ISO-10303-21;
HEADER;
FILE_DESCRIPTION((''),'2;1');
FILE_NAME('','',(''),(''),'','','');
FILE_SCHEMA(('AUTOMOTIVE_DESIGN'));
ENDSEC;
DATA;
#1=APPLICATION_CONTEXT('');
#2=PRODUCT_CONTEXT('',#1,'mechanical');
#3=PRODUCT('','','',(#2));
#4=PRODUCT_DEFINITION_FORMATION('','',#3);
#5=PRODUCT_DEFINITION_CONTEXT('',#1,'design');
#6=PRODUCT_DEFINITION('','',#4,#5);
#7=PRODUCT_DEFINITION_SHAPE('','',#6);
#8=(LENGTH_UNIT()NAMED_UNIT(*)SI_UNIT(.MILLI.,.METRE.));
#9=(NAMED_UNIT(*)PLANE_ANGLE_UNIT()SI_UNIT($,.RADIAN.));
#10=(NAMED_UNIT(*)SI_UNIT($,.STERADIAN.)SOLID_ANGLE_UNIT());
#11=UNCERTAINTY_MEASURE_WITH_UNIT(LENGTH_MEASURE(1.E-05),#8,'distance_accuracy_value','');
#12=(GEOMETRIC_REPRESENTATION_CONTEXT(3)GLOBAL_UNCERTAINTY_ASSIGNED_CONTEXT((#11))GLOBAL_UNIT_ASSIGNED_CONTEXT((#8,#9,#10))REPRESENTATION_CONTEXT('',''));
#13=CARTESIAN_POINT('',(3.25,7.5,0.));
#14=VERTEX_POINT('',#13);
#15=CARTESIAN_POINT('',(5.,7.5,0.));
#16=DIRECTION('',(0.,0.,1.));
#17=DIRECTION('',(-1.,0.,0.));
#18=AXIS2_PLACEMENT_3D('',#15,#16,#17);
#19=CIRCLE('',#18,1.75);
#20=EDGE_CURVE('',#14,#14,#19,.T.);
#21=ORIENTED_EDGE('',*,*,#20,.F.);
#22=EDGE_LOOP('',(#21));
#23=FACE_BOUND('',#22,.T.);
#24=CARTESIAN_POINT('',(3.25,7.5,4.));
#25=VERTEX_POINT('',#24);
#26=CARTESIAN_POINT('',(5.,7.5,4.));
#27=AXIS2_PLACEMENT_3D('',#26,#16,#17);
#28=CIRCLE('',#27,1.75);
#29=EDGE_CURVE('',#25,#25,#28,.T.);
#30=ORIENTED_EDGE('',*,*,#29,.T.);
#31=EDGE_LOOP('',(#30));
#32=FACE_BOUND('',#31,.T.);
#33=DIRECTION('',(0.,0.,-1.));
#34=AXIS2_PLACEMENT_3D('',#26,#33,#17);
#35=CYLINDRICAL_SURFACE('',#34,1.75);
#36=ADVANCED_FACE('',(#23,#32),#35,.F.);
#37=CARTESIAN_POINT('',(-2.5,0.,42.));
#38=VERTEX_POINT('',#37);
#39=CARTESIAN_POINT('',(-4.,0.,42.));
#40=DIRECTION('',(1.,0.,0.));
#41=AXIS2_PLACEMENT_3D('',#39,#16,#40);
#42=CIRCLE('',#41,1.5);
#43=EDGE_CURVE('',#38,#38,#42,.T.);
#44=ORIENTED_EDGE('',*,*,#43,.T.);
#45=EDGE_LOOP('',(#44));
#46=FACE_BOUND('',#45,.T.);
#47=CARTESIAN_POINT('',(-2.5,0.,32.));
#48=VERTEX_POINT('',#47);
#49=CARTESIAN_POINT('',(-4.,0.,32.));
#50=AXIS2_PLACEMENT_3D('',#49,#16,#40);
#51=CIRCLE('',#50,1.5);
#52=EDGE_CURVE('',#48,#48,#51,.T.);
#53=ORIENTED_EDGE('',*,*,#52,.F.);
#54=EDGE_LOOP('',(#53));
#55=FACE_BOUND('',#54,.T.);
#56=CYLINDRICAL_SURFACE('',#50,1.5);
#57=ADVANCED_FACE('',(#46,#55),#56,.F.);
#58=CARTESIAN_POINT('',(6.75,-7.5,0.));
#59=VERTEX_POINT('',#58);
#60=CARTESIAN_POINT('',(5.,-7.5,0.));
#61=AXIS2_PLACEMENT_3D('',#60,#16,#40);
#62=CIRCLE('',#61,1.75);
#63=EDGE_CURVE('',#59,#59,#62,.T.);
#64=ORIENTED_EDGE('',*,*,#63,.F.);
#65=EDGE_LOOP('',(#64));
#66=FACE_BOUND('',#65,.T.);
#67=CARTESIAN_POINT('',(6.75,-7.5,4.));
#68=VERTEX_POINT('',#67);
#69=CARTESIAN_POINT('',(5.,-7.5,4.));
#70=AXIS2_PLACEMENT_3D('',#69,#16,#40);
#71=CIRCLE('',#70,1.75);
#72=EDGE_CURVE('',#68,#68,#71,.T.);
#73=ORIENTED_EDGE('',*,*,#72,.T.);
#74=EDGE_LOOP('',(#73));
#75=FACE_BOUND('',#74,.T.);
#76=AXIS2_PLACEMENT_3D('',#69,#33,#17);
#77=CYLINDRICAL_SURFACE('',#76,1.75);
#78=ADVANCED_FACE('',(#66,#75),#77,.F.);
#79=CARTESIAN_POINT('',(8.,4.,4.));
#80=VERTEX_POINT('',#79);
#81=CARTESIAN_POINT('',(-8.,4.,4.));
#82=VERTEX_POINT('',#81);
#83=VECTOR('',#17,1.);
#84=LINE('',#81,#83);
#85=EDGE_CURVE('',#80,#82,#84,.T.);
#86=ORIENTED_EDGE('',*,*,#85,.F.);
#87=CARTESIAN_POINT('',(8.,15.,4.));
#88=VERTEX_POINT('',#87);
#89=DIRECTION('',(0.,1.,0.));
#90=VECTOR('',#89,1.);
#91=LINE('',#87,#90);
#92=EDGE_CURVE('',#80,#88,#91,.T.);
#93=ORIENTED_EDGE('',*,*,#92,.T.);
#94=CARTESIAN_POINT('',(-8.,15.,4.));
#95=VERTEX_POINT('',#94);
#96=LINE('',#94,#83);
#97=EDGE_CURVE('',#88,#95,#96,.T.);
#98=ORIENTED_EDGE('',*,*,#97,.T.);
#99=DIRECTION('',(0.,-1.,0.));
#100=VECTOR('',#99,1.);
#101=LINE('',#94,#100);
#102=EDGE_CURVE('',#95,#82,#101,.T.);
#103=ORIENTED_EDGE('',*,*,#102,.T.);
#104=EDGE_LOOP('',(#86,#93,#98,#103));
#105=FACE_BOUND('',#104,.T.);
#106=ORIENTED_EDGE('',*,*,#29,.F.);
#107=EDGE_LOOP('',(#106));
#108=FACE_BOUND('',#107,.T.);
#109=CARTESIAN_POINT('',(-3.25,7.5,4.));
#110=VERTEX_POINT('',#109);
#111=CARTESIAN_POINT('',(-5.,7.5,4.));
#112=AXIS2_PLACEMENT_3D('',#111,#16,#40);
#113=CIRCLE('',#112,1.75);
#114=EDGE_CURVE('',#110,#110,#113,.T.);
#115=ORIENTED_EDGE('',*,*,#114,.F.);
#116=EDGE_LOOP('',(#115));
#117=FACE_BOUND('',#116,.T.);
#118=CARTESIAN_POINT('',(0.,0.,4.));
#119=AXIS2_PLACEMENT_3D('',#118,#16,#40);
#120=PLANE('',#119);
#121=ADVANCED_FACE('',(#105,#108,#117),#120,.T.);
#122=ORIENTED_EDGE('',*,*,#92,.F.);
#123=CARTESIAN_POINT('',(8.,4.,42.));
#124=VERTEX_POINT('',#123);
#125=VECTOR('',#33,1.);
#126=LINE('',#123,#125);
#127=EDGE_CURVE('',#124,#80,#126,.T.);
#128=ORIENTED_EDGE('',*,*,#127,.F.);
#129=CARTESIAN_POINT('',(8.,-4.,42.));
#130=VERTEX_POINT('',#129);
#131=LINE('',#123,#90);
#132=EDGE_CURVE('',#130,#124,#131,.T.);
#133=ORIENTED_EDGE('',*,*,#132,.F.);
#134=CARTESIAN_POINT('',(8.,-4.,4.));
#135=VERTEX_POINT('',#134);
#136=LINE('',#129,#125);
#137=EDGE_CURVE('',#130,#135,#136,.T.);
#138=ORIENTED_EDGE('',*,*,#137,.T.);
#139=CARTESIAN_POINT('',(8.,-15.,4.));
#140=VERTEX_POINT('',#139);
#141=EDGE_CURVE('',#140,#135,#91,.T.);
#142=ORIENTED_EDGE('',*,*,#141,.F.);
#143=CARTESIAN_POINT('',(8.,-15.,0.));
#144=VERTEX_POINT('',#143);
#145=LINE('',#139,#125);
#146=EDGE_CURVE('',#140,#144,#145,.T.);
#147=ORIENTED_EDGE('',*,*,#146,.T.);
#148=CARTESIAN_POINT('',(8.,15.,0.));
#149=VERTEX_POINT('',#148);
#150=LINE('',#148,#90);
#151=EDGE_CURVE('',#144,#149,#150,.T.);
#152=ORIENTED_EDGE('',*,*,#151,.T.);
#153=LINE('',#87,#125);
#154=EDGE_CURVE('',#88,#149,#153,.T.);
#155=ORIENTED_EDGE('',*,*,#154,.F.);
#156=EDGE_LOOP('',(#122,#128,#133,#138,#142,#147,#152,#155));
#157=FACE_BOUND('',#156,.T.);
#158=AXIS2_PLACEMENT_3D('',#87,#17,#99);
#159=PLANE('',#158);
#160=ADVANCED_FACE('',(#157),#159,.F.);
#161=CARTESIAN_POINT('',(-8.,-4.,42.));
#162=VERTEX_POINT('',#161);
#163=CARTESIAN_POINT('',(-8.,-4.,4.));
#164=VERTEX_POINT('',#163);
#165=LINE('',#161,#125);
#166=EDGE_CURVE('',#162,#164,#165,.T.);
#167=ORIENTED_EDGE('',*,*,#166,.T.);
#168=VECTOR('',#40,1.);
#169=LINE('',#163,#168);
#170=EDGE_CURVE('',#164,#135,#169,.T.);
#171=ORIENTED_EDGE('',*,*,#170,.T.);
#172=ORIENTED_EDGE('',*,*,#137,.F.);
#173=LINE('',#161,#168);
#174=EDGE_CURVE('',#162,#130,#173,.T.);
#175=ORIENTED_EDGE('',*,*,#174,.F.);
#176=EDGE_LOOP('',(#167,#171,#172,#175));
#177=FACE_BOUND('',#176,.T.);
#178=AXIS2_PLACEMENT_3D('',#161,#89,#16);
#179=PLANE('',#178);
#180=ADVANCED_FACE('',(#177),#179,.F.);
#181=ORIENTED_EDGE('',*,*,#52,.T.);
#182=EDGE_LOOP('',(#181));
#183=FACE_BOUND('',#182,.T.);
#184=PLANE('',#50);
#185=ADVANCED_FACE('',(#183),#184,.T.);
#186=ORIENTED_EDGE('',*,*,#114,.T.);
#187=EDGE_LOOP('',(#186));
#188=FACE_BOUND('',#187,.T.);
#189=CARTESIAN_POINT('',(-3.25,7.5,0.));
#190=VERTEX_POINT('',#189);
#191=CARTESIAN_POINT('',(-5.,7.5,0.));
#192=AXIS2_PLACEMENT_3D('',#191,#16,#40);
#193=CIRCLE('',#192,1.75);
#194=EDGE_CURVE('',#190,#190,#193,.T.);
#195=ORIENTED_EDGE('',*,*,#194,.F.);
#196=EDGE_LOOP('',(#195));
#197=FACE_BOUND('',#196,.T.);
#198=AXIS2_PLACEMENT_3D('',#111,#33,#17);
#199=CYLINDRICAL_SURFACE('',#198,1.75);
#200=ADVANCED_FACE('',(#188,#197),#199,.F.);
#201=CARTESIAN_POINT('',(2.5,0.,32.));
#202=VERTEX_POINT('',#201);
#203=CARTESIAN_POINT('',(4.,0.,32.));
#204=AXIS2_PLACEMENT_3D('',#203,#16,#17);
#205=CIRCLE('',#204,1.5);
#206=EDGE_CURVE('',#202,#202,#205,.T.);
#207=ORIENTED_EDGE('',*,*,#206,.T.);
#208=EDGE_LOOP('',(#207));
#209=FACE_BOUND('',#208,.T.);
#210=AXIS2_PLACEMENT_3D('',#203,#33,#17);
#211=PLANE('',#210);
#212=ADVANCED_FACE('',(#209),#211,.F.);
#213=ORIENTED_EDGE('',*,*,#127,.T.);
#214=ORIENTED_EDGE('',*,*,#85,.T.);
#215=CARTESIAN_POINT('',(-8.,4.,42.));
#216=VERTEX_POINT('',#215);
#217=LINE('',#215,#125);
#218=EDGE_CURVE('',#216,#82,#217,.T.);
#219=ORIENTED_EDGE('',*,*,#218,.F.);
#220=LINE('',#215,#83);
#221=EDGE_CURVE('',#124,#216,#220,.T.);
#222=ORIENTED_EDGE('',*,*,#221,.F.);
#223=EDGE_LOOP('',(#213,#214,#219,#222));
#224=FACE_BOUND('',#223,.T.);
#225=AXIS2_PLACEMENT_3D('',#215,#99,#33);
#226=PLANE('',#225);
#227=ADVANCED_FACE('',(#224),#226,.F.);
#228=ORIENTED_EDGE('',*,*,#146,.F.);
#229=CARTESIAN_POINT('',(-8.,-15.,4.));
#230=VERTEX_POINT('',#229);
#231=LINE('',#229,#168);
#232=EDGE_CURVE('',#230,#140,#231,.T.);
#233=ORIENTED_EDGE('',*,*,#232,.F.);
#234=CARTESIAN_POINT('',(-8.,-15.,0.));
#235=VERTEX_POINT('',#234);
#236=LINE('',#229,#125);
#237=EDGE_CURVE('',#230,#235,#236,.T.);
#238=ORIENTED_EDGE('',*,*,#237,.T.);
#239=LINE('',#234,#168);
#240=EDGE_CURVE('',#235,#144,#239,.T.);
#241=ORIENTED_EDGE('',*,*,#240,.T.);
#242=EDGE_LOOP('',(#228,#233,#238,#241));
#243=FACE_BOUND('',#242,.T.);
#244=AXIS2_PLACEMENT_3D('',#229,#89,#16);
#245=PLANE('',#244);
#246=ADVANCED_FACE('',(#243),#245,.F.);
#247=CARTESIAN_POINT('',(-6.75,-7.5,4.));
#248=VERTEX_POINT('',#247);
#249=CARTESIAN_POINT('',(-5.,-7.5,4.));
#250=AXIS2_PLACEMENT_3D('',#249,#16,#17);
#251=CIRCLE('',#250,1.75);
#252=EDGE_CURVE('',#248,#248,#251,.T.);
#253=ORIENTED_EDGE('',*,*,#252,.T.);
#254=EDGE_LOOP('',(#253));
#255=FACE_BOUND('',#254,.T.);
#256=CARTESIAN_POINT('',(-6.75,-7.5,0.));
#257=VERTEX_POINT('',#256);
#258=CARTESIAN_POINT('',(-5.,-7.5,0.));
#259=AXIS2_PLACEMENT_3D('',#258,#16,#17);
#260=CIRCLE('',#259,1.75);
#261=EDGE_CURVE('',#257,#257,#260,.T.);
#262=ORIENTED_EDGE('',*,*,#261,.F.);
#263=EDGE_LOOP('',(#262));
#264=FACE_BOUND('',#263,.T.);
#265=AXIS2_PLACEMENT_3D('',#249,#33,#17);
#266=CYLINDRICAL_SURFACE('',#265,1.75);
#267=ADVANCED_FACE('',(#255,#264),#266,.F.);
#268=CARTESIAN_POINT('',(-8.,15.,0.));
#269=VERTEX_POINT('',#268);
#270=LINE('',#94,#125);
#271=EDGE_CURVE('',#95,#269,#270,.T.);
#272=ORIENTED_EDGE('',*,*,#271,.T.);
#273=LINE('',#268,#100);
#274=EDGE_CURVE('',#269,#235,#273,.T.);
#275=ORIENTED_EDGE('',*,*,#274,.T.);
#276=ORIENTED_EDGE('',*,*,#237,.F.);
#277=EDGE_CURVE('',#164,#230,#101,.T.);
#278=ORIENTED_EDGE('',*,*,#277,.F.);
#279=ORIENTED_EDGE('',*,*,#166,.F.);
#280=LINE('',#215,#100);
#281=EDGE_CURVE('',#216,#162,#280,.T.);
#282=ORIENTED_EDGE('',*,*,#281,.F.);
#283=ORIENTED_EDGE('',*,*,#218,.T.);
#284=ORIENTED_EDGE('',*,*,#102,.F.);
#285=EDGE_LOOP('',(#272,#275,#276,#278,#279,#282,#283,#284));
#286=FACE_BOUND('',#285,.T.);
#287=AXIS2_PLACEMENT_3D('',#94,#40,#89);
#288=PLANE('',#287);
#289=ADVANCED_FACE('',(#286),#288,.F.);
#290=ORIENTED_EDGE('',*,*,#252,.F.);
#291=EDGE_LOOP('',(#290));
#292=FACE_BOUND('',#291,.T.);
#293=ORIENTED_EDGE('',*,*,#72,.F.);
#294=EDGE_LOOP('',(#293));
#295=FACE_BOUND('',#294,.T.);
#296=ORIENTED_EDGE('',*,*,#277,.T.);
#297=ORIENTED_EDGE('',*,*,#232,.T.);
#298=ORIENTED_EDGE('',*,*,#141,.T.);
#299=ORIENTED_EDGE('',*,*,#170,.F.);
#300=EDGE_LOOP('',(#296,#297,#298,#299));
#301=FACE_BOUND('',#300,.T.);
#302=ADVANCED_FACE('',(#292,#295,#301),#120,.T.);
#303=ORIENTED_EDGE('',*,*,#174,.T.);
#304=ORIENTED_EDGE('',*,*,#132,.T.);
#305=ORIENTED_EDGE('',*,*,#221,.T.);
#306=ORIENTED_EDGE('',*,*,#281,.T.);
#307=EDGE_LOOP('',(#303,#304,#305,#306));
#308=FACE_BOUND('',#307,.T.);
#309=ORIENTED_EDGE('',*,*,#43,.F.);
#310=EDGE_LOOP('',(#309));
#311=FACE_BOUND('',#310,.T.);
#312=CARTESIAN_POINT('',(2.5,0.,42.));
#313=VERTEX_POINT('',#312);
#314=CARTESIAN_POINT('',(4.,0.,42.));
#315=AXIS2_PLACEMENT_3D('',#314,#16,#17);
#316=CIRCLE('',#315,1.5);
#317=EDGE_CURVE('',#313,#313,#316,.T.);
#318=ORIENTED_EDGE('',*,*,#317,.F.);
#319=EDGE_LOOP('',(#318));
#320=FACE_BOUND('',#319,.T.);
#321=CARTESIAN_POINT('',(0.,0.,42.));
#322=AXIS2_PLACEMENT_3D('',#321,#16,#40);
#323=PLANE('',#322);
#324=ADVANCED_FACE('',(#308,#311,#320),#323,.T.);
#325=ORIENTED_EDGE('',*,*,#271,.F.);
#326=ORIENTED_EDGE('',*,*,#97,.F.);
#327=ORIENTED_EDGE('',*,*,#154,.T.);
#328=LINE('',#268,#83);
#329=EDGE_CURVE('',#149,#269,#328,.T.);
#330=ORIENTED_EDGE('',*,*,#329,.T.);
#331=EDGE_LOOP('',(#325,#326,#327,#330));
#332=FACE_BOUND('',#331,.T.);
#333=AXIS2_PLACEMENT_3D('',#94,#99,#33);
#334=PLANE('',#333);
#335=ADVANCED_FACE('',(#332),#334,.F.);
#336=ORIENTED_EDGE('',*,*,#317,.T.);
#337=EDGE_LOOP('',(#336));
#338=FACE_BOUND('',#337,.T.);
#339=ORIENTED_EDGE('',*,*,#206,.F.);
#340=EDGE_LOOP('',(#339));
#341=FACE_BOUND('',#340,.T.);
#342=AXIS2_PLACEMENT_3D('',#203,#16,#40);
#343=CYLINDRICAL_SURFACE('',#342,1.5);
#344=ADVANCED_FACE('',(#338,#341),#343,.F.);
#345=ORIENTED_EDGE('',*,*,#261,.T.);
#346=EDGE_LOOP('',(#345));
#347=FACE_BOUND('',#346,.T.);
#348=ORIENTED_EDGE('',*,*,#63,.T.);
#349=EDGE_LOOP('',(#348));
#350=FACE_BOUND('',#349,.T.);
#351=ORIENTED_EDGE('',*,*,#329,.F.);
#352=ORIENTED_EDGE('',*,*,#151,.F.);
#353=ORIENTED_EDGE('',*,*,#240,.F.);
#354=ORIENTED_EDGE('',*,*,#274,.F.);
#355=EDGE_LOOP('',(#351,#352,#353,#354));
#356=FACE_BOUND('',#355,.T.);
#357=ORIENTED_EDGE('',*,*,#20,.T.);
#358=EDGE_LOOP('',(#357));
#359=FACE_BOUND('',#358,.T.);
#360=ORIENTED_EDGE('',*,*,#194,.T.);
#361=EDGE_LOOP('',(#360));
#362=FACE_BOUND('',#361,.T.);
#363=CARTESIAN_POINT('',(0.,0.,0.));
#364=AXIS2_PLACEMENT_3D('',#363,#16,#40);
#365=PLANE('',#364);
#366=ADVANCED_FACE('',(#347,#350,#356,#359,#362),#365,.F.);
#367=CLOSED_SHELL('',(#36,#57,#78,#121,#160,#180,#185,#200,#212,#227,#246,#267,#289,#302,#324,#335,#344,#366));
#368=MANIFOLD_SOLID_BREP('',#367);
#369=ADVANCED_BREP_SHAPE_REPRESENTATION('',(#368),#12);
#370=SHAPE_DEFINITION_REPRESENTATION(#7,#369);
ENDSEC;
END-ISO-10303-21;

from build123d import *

# Parameters (mm, degrees)
SKETCH_1_W          = 16
SKETCH_1_H          = 30
SKETCH_1_R          = 1.75
EXTRUDE_3_DEPTH     = 4
SKETCH_4_W          = 16
SKETCH_4_H          = 8
EXTRUDE_4_DEPTH     = 38
SKETCH_6_R          = 1.5
CUT_EXTRUDE_1_DEPTH = 10


with BuildPart() as part:
    # 草图1 → 凸台-拉伸3 (new body)
    with BuildSketch(Plane.XY):
        Rectangle(SKETCH_1_W, SKETCH_1_H)
        with Locations((-5, 7.5)):
            Circle(SKETCH_1_R, mode=Mode.SUBTRACT)
        with Locations(Location((5, 7.5, 0), (0, 0, 180))):
            Circle(SKETCH_1_R, mode=Mode.SUBTRACT)
        with Locations((5, -7.5)):
            Circle(SKETCH_1_R, mode=Mode.SUBTRACT)
        with Locations(Location((-5, -7.5, 0), (0, 0, 180))):
            Circle(SKETCH_1_R, mode=Mode.SUBTRACT)
    extrude(amount=EXTRUDE_3_DEPTH)

    # 草图4 → 凸台-拉伸4 (add)
    with BuildSketch(Plane.XY.offset(4)):
        Rectangle(SKETCH_4_W, SKETCH_4_H)
    extrude(amount=EXTRUDE_4_DEPTH)

    # 草图6 → 切除-拉伸1 (cut)
    with BuildSketch(Plane.XY.offset(42)):
        with Locations((-4, 0)):
            Circle(SKETCH_6_R)
        with Locations(Location((4, 0, 0), (0, 0, 180))):
            Circle(SKETCH_6_R)
    extrude(amount=-CUT_EXTRUDE_1_DEPTH, mode=Mode.SUBTRACT)


solid = part.part
